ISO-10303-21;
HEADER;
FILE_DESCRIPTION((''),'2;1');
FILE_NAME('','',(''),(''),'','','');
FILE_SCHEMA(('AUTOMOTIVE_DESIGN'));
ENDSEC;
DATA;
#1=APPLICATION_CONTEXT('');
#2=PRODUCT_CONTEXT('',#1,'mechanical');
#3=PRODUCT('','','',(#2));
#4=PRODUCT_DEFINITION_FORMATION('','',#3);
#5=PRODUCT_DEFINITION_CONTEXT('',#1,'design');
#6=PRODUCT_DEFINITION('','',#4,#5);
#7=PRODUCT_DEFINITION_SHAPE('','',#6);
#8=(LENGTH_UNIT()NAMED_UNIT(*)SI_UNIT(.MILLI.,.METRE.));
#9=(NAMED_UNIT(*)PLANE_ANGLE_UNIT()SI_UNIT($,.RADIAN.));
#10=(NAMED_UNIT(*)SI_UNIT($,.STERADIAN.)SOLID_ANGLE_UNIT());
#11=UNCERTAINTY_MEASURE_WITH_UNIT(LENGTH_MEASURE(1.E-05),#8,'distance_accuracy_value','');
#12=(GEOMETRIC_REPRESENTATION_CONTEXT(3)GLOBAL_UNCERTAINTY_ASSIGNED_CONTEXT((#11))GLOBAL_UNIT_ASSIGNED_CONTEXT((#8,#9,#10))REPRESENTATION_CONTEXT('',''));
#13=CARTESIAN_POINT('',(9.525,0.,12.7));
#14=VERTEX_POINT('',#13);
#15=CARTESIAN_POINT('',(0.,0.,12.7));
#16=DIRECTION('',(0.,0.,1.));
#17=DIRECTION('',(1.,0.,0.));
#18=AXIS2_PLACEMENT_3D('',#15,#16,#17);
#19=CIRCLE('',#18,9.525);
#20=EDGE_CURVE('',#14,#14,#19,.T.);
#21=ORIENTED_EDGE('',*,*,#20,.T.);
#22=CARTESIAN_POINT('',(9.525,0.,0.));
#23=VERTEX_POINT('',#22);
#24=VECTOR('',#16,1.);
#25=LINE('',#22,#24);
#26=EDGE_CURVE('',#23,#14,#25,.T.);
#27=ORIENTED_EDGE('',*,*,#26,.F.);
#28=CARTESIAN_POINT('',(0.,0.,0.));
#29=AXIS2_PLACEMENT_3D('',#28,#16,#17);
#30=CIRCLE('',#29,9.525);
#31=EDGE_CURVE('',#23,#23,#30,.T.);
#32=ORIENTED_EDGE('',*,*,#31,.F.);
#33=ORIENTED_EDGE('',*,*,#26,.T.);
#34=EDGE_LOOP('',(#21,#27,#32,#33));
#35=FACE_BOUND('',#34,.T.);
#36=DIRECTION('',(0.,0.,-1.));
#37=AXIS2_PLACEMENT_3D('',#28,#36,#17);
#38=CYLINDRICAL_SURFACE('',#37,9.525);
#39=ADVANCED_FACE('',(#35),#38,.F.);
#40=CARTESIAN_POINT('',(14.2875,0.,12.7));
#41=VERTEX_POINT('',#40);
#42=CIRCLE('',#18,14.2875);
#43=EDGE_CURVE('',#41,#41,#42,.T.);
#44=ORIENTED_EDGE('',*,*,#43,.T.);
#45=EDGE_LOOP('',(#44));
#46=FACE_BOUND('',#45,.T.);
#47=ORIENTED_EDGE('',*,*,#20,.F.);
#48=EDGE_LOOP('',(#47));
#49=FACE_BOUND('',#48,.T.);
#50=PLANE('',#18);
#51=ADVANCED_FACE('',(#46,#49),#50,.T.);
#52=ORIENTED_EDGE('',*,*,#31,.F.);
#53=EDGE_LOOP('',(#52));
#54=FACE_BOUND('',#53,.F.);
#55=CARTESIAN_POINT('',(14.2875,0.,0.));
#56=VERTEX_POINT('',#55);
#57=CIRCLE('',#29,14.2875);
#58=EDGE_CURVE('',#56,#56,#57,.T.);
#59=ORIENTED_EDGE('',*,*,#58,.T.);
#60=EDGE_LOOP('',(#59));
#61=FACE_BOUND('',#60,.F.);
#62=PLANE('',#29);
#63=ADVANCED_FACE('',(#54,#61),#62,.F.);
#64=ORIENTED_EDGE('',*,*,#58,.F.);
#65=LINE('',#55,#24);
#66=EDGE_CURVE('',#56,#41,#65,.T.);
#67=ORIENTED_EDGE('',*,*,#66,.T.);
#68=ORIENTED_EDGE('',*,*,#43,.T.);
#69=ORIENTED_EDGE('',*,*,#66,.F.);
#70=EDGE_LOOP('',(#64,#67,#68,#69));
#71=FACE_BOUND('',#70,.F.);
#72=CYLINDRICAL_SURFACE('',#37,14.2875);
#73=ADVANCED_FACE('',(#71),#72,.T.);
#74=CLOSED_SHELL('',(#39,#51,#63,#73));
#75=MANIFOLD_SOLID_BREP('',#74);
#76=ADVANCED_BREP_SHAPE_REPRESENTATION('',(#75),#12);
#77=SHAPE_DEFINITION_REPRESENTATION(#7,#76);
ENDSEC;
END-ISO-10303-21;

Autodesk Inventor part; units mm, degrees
ref_plane "YZ Plane" through (0, 0, 0) normal (1, 0, 0) x (0, 1, 0)
ref_plane "XZ Plane" through (0, 0, 0) normal (0, 1, 0) x (-1, 0, 0)
ref_plane "XY Plane" through (0, 0, 0) normal (0, 0, 1) x (1, 0, 0)
sketch "Sketch1" plane through (0, 0, 0) normal (0, 0, 1) x (1, 0, 0)
  circle A0 centre (0, 0) radius 9.525
  circle A1 centre (0, 0) radius 14.2875
  dimension "d0" = 19.05
  dimension "d2" = 28.575
extrude "Extrusion1" add sketch "Sketch1" along normal blind 12.7
properties part number "shaft collar for saw blade axle"
